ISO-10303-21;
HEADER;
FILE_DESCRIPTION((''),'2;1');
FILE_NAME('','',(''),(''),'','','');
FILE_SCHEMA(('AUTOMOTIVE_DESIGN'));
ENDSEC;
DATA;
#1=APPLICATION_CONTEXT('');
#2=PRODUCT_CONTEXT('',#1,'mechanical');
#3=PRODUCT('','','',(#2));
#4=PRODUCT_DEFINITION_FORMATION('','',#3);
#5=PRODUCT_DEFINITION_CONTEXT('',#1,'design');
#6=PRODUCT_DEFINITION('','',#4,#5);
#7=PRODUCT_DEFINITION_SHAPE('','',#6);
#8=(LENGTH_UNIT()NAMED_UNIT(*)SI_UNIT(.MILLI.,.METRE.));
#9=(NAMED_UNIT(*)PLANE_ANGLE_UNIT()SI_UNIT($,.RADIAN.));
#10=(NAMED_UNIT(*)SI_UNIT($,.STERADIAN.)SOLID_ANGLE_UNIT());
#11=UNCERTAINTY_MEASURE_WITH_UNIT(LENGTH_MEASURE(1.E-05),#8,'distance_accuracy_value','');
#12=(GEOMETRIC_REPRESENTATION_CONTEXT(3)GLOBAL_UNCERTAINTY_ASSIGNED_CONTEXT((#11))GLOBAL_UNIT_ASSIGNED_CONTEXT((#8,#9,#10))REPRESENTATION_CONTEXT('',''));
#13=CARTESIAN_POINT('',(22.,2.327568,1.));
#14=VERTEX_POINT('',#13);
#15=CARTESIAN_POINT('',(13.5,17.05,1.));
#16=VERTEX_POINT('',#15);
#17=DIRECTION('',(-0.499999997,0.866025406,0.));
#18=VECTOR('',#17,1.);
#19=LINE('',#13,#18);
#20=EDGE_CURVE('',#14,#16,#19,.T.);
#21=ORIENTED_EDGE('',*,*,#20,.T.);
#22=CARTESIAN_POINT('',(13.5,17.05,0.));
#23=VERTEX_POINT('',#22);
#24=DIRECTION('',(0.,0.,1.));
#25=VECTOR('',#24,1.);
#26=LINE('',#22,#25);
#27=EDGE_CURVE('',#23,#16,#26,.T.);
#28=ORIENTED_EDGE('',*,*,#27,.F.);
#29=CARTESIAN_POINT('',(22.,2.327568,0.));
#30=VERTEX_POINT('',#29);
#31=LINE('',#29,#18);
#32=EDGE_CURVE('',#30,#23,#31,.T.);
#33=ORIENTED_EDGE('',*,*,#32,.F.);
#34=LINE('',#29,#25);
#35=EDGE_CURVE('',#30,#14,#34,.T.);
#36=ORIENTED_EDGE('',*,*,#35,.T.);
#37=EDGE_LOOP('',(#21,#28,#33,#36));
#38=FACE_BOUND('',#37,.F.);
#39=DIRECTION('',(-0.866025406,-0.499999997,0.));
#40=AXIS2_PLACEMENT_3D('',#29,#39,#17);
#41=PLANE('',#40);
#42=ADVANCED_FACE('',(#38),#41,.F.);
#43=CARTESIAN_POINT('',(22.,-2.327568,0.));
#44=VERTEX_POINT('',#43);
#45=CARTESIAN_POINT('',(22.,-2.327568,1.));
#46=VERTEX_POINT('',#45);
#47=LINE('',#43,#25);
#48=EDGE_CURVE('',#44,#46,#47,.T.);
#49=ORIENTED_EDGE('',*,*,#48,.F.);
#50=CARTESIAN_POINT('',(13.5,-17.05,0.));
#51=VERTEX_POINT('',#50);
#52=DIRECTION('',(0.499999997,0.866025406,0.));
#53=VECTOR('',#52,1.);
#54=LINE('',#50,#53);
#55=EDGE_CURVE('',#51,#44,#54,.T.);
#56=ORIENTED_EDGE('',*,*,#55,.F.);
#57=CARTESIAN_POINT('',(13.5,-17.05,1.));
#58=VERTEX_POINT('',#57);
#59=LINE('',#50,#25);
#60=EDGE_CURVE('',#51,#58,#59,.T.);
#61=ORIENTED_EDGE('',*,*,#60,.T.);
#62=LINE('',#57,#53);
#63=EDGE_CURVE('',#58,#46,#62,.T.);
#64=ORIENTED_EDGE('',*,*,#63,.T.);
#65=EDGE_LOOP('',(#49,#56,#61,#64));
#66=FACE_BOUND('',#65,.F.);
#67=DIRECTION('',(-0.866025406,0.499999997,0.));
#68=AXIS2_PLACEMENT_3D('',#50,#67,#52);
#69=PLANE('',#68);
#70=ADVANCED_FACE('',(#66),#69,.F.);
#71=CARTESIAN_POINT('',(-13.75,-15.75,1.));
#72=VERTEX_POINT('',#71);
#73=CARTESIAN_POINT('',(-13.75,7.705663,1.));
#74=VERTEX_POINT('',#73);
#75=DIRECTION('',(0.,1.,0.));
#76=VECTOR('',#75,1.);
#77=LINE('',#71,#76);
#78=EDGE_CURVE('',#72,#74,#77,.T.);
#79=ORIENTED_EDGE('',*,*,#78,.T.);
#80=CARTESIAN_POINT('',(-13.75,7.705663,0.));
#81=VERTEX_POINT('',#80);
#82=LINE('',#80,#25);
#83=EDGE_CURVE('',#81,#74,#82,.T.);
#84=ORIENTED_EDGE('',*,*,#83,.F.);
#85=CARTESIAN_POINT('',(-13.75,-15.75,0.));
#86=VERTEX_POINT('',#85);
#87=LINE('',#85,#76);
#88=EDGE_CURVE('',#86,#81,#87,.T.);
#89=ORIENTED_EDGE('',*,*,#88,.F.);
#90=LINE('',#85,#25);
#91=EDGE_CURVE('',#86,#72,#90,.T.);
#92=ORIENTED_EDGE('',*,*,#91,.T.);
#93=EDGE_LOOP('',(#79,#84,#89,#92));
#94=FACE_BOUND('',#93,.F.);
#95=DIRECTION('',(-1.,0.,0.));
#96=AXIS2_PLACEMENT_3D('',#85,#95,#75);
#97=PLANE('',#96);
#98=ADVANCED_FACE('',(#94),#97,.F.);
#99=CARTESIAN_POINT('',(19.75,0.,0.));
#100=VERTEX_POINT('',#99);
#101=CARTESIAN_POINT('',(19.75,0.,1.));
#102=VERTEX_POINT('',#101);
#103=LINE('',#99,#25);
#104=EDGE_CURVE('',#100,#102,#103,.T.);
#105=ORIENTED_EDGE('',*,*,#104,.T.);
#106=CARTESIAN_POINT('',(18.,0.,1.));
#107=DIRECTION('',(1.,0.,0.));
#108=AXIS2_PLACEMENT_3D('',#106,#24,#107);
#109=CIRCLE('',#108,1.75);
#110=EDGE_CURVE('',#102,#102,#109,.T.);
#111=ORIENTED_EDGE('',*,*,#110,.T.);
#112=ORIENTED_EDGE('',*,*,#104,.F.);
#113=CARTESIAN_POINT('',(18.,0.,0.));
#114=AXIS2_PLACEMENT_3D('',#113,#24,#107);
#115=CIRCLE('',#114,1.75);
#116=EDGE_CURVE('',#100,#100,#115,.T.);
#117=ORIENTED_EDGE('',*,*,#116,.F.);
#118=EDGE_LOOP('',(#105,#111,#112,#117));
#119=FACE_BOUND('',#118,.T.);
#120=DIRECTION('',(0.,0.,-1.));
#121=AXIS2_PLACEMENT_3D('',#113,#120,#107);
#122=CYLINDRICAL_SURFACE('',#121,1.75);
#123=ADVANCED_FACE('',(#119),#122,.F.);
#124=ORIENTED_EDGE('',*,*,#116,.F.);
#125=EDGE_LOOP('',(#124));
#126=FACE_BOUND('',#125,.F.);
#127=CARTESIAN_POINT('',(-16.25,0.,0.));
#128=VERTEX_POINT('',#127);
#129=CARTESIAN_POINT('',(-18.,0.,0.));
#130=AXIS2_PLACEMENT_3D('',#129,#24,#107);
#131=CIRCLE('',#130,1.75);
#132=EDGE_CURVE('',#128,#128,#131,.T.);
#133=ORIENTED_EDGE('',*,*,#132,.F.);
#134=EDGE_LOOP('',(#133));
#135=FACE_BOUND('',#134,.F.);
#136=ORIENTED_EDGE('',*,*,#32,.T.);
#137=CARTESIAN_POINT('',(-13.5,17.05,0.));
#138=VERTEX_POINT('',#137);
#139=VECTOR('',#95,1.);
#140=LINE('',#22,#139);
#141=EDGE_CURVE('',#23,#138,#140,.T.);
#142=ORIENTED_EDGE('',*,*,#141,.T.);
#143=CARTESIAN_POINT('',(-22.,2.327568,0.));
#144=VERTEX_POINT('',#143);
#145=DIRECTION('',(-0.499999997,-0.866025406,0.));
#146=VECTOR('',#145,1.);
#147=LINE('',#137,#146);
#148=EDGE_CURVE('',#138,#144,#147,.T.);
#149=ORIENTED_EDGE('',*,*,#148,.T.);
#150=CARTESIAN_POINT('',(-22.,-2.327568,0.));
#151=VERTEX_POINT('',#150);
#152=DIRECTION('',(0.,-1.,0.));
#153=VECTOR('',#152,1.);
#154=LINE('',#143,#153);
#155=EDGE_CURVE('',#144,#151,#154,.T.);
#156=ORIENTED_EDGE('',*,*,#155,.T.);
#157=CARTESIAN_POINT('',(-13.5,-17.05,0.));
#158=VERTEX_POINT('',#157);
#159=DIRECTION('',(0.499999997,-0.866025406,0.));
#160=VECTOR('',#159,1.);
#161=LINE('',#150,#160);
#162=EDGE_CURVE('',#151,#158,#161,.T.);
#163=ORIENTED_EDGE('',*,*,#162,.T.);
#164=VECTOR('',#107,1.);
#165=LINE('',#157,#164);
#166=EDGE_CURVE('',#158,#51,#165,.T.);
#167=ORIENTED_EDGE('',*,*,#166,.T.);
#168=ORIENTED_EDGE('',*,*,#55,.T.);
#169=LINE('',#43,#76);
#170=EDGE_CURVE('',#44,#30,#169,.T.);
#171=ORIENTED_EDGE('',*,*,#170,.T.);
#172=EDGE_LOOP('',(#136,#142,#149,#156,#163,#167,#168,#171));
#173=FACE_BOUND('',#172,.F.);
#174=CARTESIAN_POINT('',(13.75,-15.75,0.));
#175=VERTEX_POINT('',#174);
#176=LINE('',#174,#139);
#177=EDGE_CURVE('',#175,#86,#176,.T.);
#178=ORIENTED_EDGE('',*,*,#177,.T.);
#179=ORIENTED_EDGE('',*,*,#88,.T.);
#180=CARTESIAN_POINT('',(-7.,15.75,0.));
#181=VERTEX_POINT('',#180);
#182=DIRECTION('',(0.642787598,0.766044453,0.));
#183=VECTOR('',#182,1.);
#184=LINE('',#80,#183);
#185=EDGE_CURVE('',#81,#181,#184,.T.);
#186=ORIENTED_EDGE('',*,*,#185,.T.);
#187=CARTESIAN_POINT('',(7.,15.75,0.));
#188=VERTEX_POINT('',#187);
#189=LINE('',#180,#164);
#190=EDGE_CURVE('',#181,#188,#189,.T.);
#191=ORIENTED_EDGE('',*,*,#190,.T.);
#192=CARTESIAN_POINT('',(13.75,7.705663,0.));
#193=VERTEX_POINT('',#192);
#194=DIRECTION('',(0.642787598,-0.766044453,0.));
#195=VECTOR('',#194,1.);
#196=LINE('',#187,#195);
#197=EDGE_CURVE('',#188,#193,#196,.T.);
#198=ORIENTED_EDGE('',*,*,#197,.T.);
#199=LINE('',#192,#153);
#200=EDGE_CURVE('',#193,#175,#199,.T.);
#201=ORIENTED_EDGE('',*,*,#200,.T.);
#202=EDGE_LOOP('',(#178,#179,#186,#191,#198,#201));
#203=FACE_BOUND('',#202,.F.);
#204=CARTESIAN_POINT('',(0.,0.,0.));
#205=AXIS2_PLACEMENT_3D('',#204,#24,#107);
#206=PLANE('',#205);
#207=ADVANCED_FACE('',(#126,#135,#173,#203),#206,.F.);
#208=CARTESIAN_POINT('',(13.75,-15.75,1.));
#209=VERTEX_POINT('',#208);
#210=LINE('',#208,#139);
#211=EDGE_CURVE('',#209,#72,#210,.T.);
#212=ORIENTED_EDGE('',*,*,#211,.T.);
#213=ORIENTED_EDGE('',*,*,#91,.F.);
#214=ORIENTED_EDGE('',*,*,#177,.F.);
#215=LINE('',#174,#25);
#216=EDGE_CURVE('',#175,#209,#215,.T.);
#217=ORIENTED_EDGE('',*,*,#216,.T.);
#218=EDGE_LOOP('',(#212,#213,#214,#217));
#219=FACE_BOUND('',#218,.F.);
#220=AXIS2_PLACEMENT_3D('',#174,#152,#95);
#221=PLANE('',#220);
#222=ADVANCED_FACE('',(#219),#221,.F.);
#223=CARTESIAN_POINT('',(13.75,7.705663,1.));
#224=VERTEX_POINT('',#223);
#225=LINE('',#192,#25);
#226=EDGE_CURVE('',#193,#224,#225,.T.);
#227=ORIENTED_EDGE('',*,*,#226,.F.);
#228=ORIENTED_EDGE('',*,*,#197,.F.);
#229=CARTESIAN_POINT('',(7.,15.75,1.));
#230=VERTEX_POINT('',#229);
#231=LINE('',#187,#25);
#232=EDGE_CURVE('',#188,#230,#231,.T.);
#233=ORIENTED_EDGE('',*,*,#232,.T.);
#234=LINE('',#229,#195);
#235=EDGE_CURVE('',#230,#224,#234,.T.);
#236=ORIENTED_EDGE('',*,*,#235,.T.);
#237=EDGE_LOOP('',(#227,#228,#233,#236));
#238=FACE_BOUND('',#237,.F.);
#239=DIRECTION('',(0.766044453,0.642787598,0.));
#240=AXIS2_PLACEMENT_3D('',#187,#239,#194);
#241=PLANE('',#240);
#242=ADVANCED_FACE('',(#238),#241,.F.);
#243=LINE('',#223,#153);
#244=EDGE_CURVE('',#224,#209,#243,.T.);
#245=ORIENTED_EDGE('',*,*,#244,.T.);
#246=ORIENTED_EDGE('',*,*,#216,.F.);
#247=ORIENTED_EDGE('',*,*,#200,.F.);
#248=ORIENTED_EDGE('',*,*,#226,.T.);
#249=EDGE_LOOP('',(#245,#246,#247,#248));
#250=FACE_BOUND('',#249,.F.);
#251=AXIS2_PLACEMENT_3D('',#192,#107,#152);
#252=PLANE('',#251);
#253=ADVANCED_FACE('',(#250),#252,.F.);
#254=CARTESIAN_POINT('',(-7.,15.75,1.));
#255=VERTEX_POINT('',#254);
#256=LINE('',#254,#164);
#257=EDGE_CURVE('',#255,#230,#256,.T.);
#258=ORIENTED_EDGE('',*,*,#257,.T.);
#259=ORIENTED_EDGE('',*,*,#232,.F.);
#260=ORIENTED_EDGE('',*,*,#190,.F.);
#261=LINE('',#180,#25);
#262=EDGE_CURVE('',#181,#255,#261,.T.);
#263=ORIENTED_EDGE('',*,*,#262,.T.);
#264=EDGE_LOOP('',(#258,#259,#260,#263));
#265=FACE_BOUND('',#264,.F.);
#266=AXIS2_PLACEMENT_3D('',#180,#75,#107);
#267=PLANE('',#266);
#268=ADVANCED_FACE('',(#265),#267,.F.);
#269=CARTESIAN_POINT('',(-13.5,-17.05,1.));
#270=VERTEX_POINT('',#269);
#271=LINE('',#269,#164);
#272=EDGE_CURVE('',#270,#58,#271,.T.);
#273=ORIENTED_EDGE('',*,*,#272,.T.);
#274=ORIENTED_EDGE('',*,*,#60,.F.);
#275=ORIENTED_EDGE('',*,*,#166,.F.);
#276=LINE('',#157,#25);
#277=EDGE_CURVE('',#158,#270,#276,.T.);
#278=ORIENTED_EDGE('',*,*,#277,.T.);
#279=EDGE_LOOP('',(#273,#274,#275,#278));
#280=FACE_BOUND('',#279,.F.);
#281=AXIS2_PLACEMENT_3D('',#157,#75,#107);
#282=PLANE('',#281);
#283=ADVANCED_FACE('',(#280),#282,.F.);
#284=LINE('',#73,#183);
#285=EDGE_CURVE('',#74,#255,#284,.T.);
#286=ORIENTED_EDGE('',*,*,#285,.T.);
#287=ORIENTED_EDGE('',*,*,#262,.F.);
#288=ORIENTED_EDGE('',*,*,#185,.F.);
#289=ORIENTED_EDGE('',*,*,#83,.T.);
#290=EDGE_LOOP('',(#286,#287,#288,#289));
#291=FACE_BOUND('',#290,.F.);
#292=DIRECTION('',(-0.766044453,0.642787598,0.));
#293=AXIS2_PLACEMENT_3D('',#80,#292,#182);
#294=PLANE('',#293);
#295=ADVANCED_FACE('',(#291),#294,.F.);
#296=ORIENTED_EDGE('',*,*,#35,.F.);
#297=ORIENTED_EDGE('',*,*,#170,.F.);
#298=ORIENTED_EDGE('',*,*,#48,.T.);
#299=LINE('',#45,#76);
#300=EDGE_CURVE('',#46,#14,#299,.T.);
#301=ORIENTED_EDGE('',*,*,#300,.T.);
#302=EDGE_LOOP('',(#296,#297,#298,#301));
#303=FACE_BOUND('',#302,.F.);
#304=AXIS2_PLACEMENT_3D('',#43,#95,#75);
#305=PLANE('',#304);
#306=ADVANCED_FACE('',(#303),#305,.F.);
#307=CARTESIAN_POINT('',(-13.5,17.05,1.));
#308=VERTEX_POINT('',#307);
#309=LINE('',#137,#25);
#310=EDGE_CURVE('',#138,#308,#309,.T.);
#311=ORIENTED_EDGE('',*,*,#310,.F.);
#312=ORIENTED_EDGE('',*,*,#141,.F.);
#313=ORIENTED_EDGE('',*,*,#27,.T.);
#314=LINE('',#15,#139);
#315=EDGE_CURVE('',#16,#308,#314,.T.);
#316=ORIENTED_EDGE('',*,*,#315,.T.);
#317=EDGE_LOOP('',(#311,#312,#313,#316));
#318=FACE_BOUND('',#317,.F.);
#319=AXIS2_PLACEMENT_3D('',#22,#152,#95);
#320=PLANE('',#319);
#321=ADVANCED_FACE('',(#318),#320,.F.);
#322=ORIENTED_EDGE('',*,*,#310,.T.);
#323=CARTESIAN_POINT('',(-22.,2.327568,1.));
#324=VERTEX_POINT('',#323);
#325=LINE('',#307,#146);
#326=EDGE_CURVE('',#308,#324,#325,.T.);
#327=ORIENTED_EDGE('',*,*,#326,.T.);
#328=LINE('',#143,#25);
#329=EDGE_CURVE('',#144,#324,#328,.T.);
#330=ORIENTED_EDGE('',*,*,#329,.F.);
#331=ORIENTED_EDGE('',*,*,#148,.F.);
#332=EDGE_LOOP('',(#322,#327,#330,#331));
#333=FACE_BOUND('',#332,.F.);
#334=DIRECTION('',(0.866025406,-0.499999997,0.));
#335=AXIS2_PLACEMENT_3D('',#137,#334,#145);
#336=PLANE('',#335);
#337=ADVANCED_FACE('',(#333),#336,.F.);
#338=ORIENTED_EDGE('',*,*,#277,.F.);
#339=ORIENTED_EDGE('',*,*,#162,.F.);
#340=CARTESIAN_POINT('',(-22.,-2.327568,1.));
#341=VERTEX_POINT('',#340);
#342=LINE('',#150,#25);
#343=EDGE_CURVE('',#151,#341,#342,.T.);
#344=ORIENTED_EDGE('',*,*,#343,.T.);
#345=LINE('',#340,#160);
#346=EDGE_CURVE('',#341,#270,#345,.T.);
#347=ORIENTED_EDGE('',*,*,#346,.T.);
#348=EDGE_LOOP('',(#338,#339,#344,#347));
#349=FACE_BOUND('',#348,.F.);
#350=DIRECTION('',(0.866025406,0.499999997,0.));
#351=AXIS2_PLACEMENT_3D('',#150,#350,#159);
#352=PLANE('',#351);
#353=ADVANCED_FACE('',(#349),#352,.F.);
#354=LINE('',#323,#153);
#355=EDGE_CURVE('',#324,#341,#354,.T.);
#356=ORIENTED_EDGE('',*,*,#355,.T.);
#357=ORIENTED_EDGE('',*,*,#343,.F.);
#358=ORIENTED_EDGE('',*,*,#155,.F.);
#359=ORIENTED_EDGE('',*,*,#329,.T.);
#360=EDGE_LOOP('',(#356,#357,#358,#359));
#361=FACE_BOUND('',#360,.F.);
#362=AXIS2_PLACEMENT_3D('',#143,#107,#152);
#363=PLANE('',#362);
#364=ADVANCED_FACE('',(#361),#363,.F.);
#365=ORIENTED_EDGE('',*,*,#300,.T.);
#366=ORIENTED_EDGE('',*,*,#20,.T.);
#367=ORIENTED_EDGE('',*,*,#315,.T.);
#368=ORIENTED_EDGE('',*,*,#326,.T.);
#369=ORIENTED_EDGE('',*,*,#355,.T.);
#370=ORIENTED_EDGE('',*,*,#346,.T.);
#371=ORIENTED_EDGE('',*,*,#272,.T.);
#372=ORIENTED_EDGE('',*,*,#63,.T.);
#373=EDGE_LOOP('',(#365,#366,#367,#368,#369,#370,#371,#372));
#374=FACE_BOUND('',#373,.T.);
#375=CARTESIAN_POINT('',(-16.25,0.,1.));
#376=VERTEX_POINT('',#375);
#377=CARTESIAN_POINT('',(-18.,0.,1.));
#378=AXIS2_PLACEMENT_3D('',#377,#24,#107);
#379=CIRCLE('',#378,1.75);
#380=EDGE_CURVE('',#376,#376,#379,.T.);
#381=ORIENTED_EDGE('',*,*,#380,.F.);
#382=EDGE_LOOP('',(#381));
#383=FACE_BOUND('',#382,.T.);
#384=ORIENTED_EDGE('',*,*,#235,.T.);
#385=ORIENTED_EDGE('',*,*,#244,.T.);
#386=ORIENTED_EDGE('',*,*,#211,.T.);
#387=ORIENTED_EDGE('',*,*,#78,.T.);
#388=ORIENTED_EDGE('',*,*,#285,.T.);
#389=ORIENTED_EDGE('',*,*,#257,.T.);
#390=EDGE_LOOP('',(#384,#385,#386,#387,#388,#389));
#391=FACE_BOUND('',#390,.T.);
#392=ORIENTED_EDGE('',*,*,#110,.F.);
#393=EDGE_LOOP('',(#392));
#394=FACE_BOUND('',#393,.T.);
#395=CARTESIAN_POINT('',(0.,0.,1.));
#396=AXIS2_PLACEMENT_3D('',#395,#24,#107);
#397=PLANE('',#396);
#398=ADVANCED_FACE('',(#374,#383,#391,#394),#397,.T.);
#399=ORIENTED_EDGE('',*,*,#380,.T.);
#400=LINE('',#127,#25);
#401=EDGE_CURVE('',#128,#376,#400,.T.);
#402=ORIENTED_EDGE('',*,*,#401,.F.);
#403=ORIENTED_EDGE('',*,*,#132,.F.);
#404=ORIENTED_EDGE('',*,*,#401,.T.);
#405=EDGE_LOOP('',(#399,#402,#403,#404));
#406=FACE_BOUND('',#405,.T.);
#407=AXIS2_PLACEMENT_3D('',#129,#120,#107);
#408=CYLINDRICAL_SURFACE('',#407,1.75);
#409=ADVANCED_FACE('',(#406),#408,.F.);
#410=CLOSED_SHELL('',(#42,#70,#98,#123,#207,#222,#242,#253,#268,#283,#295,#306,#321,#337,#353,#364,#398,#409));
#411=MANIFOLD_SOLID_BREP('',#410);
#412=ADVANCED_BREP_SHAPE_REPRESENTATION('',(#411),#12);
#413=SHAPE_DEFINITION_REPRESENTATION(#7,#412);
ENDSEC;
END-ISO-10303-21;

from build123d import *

# Parameters (mm, degrees)
F0_R     = 1.75
F1_DEPTH = 1


with BuildPart() as f1:
    # F0 (on Top) → F1 (new body)
    with BuildSketch(Plane.XY):
        Polygon((13.5, 17.05), (-13.5, 17.05), (-22, 2.327568), (-22, -2.327568), (-13.5, -17.05), (13.5, -17.05), (22, -2.327568), (22, 2.327568), align=None)
        with Locations((-18, 0)):
            Circle(F0_R, mode=Mode.SUBTRACT)
        Polygon((-13.75, 7.705663), (-7, 15.75), (7, 15.75), (13.75, 7.705663), (13.75, -15.75), (-13.75, -15.75), align=None, mode=Mode.SUBTRACT)
        with Locations((18, 0)):
            Circle(F0_R, mode=Mode.SUBTRACT)
    extrude(amount=F1_DEPTH)


solid = f1.part
